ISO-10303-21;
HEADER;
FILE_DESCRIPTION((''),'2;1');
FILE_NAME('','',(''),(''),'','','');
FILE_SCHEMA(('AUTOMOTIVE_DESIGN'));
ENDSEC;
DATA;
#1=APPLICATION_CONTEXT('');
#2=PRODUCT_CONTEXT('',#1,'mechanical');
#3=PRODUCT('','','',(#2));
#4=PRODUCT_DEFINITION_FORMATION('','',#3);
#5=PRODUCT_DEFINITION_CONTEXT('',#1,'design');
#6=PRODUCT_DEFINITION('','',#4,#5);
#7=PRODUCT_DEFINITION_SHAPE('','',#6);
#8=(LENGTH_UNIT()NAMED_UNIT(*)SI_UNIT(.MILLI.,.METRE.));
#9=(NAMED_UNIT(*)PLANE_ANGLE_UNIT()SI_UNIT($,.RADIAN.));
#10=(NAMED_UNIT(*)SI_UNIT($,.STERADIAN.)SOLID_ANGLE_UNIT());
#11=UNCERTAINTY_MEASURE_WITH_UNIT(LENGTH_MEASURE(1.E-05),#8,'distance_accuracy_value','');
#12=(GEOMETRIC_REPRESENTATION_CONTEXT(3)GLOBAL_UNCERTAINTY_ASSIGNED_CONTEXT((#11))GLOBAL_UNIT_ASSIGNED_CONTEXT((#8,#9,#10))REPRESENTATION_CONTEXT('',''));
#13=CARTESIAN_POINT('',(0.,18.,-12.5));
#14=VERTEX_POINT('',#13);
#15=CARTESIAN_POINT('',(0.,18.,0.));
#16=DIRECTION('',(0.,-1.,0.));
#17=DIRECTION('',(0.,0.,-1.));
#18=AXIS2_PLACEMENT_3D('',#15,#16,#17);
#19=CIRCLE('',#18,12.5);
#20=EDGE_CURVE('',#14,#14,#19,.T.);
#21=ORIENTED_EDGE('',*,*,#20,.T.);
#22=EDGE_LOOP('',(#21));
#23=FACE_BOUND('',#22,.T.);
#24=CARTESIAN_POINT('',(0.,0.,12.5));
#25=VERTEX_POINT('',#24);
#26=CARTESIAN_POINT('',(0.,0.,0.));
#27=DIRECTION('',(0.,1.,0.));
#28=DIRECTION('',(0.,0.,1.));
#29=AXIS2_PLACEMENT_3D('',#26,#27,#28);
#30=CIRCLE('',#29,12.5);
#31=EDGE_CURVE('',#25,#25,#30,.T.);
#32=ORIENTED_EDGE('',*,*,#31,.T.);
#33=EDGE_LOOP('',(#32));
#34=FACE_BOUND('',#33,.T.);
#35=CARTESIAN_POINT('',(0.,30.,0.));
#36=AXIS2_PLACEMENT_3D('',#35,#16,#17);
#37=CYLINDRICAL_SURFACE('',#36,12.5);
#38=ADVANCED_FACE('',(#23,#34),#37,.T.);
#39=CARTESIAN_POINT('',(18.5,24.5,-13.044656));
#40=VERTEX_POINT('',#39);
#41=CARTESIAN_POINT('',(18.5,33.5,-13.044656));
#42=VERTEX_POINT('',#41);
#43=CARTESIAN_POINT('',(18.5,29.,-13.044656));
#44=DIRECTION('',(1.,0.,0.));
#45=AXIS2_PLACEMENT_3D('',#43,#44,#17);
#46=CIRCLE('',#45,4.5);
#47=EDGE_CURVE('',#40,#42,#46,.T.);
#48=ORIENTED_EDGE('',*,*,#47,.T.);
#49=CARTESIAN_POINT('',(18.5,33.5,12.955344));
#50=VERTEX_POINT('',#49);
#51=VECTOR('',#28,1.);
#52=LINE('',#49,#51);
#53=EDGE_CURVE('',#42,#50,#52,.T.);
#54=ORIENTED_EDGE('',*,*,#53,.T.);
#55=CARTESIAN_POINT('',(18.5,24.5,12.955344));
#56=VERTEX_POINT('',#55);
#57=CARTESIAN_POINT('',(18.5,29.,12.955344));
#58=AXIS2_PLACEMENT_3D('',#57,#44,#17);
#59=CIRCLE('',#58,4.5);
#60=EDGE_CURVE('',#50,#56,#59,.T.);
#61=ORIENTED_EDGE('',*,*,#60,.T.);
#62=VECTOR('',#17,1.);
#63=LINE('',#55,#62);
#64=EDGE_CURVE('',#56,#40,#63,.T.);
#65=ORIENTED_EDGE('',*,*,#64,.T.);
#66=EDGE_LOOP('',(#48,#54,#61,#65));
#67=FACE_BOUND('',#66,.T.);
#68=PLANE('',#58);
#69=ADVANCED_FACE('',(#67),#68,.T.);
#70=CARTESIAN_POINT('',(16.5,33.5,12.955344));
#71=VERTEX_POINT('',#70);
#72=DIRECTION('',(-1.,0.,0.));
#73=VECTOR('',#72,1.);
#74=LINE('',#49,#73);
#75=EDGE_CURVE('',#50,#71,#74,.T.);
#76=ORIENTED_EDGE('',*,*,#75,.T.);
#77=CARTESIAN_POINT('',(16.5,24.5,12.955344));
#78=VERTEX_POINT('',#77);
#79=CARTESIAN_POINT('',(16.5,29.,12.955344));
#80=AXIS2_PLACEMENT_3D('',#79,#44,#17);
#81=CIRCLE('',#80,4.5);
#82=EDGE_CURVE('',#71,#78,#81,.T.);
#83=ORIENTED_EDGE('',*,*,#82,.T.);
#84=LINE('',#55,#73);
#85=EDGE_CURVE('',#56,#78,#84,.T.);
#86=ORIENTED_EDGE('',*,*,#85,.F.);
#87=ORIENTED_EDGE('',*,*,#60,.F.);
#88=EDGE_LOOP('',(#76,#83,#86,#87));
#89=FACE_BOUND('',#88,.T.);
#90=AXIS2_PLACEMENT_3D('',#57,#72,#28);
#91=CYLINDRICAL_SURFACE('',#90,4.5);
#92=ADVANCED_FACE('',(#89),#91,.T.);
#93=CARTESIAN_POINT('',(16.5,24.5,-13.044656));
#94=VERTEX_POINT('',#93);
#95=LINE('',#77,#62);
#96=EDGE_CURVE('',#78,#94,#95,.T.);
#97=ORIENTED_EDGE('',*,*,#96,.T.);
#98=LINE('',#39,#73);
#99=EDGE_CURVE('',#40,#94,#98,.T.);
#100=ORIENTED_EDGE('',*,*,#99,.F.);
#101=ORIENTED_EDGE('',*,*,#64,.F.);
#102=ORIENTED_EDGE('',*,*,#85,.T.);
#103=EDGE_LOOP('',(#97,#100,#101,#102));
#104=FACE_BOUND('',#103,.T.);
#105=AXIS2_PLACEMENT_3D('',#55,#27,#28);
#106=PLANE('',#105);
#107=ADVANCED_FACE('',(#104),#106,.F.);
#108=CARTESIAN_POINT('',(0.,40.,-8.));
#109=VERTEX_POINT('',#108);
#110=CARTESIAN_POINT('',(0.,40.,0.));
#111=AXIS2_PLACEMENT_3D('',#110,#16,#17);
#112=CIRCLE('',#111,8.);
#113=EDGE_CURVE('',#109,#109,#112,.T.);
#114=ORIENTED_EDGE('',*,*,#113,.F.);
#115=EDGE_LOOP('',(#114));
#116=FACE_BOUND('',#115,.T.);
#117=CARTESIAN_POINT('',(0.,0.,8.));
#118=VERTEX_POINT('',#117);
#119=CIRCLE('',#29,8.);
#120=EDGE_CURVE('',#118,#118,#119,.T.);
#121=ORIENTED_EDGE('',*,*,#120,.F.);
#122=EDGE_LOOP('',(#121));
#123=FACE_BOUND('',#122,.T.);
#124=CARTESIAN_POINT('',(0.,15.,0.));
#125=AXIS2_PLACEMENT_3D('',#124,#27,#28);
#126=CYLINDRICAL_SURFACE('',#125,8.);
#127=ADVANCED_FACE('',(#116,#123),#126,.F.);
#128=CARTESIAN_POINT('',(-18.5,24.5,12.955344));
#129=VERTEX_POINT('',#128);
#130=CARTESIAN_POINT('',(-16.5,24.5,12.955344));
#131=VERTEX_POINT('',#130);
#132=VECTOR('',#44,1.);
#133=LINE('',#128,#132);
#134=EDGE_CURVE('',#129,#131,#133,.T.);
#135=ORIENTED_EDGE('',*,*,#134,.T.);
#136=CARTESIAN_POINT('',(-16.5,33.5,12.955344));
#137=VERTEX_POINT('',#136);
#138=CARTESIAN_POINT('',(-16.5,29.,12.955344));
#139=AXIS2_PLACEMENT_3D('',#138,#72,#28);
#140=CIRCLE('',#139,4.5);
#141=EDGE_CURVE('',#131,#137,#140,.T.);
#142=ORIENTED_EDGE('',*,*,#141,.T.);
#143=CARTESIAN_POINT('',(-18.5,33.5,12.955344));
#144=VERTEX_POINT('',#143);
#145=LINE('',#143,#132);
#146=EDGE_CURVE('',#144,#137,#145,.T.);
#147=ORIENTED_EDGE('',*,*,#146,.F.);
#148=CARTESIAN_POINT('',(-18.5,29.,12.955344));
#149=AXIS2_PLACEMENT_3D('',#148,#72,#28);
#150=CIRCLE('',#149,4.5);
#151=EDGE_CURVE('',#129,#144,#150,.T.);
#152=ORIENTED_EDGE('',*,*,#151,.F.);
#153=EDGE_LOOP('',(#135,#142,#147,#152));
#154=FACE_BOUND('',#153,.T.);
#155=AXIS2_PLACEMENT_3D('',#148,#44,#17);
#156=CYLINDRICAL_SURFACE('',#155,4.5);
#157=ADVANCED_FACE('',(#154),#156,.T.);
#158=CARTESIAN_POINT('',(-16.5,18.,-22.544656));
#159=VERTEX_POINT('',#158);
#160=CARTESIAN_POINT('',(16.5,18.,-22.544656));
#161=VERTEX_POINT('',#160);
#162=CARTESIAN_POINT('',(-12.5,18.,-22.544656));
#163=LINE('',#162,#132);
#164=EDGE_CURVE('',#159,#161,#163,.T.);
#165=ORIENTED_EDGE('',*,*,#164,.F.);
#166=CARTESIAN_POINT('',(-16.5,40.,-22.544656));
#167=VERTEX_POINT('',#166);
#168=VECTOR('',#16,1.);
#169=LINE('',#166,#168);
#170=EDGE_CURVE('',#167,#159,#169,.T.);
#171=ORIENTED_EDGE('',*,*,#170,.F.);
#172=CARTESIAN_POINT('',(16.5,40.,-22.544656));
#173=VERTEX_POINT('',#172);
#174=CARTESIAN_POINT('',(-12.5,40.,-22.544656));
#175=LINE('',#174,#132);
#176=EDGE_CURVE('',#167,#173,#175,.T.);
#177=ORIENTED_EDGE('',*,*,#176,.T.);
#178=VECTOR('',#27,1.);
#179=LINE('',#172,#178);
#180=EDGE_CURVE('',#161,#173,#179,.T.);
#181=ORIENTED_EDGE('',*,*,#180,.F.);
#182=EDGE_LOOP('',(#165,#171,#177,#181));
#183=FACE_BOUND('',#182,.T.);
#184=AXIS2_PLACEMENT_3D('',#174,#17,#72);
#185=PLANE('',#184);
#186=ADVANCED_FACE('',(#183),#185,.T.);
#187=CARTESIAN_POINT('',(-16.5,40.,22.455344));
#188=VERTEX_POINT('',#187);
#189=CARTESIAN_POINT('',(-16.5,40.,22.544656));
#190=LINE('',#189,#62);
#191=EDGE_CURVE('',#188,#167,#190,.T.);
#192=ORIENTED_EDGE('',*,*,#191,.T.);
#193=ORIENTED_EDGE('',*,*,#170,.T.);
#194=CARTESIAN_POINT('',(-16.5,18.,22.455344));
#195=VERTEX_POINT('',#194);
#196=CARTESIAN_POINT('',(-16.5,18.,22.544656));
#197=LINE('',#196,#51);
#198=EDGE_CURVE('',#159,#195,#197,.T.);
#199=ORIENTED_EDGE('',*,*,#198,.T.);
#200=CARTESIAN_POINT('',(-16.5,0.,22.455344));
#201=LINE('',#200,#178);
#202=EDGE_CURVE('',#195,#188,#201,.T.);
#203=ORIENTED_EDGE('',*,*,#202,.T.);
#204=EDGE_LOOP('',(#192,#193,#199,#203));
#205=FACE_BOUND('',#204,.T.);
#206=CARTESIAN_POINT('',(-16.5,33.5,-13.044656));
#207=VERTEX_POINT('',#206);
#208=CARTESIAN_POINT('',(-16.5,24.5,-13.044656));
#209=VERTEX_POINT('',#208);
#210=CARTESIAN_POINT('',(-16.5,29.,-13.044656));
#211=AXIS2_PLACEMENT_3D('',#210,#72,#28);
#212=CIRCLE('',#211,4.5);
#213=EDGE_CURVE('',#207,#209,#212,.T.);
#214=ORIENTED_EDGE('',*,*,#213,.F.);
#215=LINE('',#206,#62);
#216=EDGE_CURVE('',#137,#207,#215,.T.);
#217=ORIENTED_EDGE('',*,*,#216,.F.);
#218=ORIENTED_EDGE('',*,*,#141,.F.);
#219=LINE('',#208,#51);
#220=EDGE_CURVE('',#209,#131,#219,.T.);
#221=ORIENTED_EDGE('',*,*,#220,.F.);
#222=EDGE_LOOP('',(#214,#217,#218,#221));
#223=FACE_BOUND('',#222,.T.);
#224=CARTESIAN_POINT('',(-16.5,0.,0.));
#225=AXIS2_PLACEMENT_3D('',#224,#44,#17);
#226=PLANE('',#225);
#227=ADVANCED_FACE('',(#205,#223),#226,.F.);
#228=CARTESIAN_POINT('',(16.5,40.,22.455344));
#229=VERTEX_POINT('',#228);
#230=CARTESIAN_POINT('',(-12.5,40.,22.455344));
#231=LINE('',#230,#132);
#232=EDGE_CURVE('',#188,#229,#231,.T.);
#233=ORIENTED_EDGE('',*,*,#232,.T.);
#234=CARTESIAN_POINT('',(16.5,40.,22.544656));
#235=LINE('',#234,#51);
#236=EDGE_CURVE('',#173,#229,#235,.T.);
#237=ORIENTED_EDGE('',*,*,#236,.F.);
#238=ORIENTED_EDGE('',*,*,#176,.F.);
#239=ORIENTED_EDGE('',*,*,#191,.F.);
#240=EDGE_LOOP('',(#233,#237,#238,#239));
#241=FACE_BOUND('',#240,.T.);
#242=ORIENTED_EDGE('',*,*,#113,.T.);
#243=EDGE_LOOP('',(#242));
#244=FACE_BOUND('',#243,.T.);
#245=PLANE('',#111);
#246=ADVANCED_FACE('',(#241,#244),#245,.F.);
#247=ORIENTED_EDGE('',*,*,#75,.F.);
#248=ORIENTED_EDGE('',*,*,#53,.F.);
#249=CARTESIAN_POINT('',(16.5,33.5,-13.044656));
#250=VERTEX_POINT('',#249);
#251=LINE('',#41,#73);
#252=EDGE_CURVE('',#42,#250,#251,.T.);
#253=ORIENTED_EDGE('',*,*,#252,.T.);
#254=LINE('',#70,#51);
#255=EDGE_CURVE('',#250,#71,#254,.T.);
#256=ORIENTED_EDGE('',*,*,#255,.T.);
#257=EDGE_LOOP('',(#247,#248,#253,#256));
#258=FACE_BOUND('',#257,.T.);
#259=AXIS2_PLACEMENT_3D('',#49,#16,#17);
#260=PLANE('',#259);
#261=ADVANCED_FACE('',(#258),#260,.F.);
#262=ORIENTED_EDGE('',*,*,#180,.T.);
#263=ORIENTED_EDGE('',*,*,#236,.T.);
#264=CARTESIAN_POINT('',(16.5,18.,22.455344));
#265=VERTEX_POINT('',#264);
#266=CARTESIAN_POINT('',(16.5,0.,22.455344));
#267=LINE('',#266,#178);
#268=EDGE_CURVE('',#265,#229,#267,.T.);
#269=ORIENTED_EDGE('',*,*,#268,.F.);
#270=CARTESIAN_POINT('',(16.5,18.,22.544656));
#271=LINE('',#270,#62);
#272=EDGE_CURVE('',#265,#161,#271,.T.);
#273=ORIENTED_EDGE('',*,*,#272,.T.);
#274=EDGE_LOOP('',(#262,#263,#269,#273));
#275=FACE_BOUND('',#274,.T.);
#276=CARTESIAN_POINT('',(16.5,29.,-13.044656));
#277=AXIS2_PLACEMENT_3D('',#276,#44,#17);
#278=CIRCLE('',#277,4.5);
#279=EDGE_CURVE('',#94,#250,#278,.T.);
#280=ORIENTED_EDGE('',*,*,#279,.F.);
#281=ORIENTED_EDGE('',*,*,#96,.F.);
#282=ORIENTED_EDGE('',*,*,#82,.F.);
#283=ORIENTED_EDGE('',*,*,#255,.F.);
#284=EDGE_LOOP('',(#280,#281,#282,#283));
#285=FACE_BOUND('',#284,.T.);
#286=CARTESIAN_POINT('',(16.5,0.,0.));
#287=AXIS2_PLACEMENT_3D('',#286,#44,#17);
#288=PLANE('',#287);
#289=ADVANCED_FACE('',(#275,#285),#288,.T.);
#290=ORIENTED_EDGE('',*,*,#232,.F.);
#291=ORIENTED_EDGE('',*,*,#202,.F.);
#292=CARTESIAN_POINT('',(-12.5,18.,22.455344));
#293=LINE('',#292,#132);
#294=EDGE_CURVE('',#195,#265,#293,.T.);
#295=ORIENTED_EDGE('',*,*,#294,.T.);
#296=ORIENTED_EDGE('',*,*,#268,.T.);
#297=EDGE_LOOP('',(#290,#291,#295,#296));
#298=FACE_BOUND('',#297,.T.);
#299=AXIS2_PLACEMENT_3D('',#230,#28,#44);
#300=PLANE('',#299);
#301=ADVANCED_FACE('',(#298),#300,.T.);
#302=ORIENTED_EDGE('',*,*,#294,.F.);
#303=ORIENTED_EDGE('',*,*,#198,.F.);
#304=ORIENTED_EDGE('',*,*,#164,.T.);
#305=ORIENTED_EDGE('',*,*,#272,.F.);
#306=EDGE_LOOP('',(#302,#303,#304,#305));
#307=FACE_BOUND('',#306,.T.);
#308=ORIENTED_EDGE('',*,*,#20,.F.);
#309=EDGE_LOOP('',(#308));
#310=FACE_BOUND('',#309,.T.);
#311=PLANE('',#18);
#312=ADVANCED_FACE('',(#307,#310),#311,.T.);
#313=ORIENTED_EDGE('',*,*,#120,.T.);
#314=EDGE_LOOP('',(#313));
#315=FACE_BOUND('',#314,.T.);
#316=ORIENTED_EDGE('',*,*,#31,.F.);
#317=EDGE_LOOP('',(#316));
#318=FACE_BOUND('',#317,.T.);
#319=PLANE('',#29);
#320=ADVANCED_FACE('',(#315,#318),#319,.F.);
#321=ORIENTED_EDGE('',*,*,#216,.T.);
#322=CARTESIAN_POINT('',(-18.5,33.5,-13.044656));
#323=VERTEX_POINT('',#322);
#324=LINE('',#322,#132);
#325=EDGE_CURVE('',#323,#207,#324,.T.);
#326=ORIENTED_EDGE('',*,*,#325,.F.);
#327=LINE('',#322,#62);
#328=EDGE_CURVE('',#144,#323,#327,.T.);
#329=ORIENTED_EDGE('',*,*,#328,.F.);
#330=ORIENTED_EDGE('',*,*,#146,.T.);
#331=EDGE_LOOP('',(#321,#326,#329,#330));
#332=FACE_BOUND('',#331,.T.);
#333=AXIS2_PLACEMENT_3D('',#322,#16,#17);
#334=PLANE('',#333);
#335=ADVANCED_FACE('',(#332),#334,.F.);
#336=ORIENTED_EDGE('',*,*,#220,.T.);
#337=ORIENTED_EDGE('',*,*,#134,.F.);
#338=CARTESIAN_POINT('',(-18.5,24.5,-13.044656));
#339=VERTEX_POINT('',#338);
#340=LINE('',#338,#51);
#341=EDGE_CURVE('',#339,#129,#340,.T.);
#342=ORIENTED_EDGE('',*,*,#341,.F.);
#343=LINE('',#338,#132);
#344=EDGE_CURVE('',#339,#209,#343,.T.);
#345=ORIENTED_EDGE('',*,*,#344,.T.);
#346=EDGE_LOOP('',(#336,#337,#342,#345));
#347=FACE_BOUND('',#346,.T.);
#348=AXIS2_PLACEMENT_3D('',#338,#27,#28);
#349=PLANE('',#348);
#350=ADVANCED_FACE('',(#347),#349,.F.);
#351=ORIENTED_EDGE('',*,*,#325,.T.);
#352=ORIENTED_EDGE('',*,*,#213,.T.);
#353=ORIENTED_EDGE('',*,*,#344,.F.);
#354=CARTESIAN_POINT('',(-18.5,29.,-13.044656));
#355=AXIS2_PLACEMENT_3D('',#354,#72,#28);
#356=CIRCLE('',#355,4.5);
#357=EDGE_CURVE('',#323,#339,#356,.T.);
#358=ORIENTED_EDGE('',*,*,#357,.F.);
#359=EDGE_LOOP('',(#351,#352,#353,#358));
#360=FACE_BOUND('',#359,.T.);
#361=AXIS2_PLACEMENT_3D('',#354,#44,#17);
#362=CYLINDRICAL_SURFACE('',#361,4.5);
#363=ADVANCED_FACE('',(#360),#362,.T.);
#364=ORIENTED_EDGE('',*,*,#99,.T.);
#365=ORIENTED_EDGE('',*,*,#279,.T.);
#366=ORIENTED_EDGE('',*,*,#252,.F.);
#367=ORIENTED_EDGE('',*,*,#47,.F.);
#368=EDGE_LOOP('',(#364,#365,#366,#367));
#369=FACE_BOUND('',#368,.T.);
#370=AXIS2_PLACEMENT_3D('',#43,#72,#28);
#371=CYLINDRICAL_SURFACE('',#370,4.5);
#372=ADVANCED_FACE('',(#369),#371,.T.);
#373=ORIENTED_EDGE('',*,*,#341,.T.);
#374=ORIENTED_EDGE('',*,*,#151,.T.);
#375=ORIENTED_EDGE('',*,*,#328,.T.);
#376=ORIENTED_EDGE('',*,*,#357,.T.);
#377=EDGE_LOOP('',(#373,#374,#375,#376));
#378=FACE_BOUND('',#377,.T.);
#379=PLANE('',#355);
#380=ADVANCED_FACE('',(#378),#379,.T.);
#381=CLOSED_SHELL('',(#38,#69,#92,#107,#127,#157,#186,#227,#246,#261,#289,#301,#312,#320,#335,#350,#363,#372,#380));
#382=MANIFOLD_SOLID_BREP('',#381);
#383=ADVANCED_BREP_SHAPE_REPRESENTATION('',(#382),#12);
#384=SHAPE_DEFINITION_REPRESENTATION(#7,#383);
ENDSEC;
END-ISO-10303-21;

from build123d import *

# Parameters (mm, degrees)
ESBO_O1_R                = 12.5
RESSALTO_EXTRUS_O1_DEPTH = 30
ESBO_O2_R                = 8
CORTE_EXTRUS_O1_DEPTH    = 15
ESBO_O3_W                = 3
ESBO_O3_H                = 5
CORTE_EXTRUS_O2_DEPTH    = 6.5
ESBO_O4_R                = 8
CORTE_EXTRUS_O3_DEPTH    = 35.820970693
ESBO_O5_W                = 25
ESBO_O5_H                = 25
RESSALTO_EXTRUS_O2_DEPTH = 12
ESBO_O6_W                = 25
ESBO_O6_H                = 25
RESSALTO_EXTRUS_O3_DEPTH = 10
ESBO_O7_R                = 8
CORTE_EXTRUS_O4_DEPTH    = 29.222331583
ESBO_O8_W                = 45
ESBO_O8_H                = 22
RESSALTO_EXTRUS_O4_DEPTH = 25
ESBO_O9_W                = 45.089311088
ESBO_O9_H                = 22
RESSALTO_EXTRUS_O5_DEPTH = 4
ESBO_O10_W               = 45.089311088
ESBO_O10_H               = 22
RESSALTO_EXTRUS_O6_DEPTH = 4
ESBO_O11_W               = 33
ESBO_O11_H               = 45
RESSALTO_EXTRUS_O7_DEPTH = 22
ESBO_O12_W               = 4
ESBO_O12_H               = 0.089311088
CORTE_EXTRUS_O5_DEPTH    = 49.790485687
RESSALTO_EXTRUS_O8_DEPTH = 2
RESSALTO_EXTRUS_O9_START = 2
RESSALTO_EXTRUS_O9_DEPTH = 2
ESBO_O15_R               = 8
CORTE_EXTRUS_O6_DEPTH    = 37.530966229


with BuildPart() as part:
    # Esboço1 → Ressalto-extrusão1 (new body)
    with BuildSketch(Plane(origin=(0, 0, 0), x_dir=(1, 0, 0), z_dir=(0, 1, 0))):
        with Locations(Location((0, 0, 0), (0, 0, 270))):
            Circle(ESBO_O1_R)
    extrude(amount=RESSALTO_EXTRUS_O1_DEPTH)

    # Esboço2 → Corte-extrusão1 (cut)
    with BuildSketch(Plane(origin=(0, 30, 0), x_dir=(1, 0, 0), z_dir=(0, 1, 0))):
        with Locations(Location((0, 0, 0), (0, 0, 270))):
            Circle(ESBO_O2_R)
    extrude(amount=-CORTE_EXTRUS_O1_DEPTH, mode=Mode.SUBTRACT)

    # Esboço3 → Corte-extrusão2 (cut)
    with BuildSketch(Plane.XZ):
        Rectangle(ESBO_O3_W, ESBO_O3_H)
    extrude(amount=-CORTE_EXTRUS_O2_DEPTH, mode=Mode.SUBTRACT)

    # Esboço4 → Corte-extrusão3 (cut, through all)
    with BuildSketch(Plane(origin=(0, 30, 0), x_dir=(1, 0, 0), z_dir=(0, 1, 0))):
        with Locations(Location((0, 0, 0), (0, 0, 270))):
            Circle(ESBO_O4_R)
    extrude(amount=-CORTE_EXTRUS_O3_DEPTH, mode=Mode.SUBTRACT)

    # Esboço5 → Ressalto-extrusão2 (add)
    with BuildSketch(Plane(origin=(0, 30, 0), x_dir=(1, 0, 0), z_dir=(0, 1, 0))):
        Rectangle(ESBO_O5_W, ESBO_O5_H)
    extrude(amount=-RESSALTO_EXTRUS_O2_DEPTH)

    # Esboço6 → Ressalto-extrusão3 (add)
    with BuildSketch(Plane(origin=(0, 30, 0), x_dir=(1, 0, 0), z_dir=(0, 1, 0))):
        Rectangle(ESBO_O6_W, ESBO_O6_H)
    extrude(amount=RESSALTO_EXTRUS_O3_DEPTH)

    # Esboço7 → Corte-extrusão4 (cut, through all)
    with BuildSketch(Plane.XZ.offset(-18)):
        with Locations(Location((0, 0, 0), (0, 0, 90))):
            Circle(ESBO_O7_R)
    extrude(amount=-CORTE_EXTRUS_O4_DEPTH, mode=Mode.SUBTRACT)

    # Esboço8 → Ressalto-extrusão4 (add)
    with BuildSketch(Plane(origin=(12.5, 0, 0), x_dir=(0, 0, -1), z_dir=(1, 0, 0))):
        with Locations((0.044655544, 29)):
            Rectangle(ESBO_O8_W, ESBO_O8_H)
    extrude(amount=-RESSALTO_EXTRUS_O4_DEPTH)

    # Esboço9 → Ressalto-extrusão5 (add)
    with BuildSketch(Plane.ZY.offset(12.5)):
        with Locations((0, 29)):
            Rectangle(ESBO_O9_W, ESBO_O9_H)
    extrude(amount=RESSALTO_EXTRUS_O5_DEPTH)

    # Esboço10 → Ressalto-extrusão6 (add)
    with BuildSketch(Plane(origin=(12.5, 0, 0), x_dir=(0, 0, -1), z_dir=(1, 0, 0))):
        with Locations((0, 29)):
            Rectangle(ESBO_O10_W, ESBO_O10_H)
    extrude(amount=RESSALTO_EXTRUS_O6_DEPTH)

    # Esboço11 → Ressalto-extrusão7 (add)
    with BuildSketch(Plane(origin=(0, 40, 0), x_dir=(1, 0, 0), z_dir=(0, 1, 0))):
        with Locations((0, 0.044655544)):
            Rectangle(ESBO_O11_W, ESBO_O11_H)
    extrude(amount=-RESSALTO_EXTRUS_O7_DEPTH)

    # Esboço12 → Corte-extrusão5 (cut, through all)
    with BuildSketch(Plane(origin=(0, 40, 0), x_dir=(1, 0, 0), z_dir=(0, 1, 0))):
        with Locations((-14.5, -22.5)):
            Rectangle(ESBO_O12_W, ESBO_O12_H)
        with Locations((14.5, -22.5)):
            Rectangle(ESBO_O12_W, ESBO_O12_H)
    extrude(amount=-CORTE_EXTRUS_O5_DEPTH, mode=Mode.SUBTRACT)

    # Esboço13 → Ressalto-extrusão8 (add)
    with BuildSketch(Plane.ZY.offset(16.5)):
        with BuildLine():
            Line((-13.044655544, 33.5), (12.955344456, 33.5))
            ThreePointArc((12.955344456, 33.5), (17.455344456, 29), (12.955344456, 24.5))
            Line((12.955344456, 24.5), (-13.044655544, 24.5))
            ThreePointArc((-13.044655544, 24.5), (-17.544655544, 29), (-13.044655544, 33.5))
        make_face()
    extrude(amount=RESSALTO_EXTRUS_O8_DEPTH)

    # Esboço14 → Ressalto-extrusão9 (add)
    with BuildSketch(Plane(origin=(16.5, 0, 0), x_dir=(0, 0, -1), z_dir=(1, 0, 0)).offset(RESSALTO_EXTRUS_O9_START)):
        with BuildLine():
            Line((-12.955344456, 24.5), (13.044655544, 24.5))
            ThreePointArc((13.044655544, 24.5), (17.544655544, 29), (13.044655544, 33.5))
            Line((13.044655544, 33.5), (-12.955344456, 33.5))
            ThreePointArc((-12.955344456, 33.5), (-17.455344456, 29), (-12.955344456, 24.5))
        make_face()
    extrude(amount=-RESSALTO_EXTRUS_O9_DEPTH)

    # Esboço15 → Corte-extrusão6 (cut, through all)
    with BuildSketch(Plane.XZ.offset(-18)):
        with Locations(Location((0, 0, 0), (0, 0, 90))):
            Circle(ESBO_O15_R)
    extrude(amount=-CORTE_EXTRUS_O6_DEPTH, mode=Mode.SUBTRACT)


solid = part.part
